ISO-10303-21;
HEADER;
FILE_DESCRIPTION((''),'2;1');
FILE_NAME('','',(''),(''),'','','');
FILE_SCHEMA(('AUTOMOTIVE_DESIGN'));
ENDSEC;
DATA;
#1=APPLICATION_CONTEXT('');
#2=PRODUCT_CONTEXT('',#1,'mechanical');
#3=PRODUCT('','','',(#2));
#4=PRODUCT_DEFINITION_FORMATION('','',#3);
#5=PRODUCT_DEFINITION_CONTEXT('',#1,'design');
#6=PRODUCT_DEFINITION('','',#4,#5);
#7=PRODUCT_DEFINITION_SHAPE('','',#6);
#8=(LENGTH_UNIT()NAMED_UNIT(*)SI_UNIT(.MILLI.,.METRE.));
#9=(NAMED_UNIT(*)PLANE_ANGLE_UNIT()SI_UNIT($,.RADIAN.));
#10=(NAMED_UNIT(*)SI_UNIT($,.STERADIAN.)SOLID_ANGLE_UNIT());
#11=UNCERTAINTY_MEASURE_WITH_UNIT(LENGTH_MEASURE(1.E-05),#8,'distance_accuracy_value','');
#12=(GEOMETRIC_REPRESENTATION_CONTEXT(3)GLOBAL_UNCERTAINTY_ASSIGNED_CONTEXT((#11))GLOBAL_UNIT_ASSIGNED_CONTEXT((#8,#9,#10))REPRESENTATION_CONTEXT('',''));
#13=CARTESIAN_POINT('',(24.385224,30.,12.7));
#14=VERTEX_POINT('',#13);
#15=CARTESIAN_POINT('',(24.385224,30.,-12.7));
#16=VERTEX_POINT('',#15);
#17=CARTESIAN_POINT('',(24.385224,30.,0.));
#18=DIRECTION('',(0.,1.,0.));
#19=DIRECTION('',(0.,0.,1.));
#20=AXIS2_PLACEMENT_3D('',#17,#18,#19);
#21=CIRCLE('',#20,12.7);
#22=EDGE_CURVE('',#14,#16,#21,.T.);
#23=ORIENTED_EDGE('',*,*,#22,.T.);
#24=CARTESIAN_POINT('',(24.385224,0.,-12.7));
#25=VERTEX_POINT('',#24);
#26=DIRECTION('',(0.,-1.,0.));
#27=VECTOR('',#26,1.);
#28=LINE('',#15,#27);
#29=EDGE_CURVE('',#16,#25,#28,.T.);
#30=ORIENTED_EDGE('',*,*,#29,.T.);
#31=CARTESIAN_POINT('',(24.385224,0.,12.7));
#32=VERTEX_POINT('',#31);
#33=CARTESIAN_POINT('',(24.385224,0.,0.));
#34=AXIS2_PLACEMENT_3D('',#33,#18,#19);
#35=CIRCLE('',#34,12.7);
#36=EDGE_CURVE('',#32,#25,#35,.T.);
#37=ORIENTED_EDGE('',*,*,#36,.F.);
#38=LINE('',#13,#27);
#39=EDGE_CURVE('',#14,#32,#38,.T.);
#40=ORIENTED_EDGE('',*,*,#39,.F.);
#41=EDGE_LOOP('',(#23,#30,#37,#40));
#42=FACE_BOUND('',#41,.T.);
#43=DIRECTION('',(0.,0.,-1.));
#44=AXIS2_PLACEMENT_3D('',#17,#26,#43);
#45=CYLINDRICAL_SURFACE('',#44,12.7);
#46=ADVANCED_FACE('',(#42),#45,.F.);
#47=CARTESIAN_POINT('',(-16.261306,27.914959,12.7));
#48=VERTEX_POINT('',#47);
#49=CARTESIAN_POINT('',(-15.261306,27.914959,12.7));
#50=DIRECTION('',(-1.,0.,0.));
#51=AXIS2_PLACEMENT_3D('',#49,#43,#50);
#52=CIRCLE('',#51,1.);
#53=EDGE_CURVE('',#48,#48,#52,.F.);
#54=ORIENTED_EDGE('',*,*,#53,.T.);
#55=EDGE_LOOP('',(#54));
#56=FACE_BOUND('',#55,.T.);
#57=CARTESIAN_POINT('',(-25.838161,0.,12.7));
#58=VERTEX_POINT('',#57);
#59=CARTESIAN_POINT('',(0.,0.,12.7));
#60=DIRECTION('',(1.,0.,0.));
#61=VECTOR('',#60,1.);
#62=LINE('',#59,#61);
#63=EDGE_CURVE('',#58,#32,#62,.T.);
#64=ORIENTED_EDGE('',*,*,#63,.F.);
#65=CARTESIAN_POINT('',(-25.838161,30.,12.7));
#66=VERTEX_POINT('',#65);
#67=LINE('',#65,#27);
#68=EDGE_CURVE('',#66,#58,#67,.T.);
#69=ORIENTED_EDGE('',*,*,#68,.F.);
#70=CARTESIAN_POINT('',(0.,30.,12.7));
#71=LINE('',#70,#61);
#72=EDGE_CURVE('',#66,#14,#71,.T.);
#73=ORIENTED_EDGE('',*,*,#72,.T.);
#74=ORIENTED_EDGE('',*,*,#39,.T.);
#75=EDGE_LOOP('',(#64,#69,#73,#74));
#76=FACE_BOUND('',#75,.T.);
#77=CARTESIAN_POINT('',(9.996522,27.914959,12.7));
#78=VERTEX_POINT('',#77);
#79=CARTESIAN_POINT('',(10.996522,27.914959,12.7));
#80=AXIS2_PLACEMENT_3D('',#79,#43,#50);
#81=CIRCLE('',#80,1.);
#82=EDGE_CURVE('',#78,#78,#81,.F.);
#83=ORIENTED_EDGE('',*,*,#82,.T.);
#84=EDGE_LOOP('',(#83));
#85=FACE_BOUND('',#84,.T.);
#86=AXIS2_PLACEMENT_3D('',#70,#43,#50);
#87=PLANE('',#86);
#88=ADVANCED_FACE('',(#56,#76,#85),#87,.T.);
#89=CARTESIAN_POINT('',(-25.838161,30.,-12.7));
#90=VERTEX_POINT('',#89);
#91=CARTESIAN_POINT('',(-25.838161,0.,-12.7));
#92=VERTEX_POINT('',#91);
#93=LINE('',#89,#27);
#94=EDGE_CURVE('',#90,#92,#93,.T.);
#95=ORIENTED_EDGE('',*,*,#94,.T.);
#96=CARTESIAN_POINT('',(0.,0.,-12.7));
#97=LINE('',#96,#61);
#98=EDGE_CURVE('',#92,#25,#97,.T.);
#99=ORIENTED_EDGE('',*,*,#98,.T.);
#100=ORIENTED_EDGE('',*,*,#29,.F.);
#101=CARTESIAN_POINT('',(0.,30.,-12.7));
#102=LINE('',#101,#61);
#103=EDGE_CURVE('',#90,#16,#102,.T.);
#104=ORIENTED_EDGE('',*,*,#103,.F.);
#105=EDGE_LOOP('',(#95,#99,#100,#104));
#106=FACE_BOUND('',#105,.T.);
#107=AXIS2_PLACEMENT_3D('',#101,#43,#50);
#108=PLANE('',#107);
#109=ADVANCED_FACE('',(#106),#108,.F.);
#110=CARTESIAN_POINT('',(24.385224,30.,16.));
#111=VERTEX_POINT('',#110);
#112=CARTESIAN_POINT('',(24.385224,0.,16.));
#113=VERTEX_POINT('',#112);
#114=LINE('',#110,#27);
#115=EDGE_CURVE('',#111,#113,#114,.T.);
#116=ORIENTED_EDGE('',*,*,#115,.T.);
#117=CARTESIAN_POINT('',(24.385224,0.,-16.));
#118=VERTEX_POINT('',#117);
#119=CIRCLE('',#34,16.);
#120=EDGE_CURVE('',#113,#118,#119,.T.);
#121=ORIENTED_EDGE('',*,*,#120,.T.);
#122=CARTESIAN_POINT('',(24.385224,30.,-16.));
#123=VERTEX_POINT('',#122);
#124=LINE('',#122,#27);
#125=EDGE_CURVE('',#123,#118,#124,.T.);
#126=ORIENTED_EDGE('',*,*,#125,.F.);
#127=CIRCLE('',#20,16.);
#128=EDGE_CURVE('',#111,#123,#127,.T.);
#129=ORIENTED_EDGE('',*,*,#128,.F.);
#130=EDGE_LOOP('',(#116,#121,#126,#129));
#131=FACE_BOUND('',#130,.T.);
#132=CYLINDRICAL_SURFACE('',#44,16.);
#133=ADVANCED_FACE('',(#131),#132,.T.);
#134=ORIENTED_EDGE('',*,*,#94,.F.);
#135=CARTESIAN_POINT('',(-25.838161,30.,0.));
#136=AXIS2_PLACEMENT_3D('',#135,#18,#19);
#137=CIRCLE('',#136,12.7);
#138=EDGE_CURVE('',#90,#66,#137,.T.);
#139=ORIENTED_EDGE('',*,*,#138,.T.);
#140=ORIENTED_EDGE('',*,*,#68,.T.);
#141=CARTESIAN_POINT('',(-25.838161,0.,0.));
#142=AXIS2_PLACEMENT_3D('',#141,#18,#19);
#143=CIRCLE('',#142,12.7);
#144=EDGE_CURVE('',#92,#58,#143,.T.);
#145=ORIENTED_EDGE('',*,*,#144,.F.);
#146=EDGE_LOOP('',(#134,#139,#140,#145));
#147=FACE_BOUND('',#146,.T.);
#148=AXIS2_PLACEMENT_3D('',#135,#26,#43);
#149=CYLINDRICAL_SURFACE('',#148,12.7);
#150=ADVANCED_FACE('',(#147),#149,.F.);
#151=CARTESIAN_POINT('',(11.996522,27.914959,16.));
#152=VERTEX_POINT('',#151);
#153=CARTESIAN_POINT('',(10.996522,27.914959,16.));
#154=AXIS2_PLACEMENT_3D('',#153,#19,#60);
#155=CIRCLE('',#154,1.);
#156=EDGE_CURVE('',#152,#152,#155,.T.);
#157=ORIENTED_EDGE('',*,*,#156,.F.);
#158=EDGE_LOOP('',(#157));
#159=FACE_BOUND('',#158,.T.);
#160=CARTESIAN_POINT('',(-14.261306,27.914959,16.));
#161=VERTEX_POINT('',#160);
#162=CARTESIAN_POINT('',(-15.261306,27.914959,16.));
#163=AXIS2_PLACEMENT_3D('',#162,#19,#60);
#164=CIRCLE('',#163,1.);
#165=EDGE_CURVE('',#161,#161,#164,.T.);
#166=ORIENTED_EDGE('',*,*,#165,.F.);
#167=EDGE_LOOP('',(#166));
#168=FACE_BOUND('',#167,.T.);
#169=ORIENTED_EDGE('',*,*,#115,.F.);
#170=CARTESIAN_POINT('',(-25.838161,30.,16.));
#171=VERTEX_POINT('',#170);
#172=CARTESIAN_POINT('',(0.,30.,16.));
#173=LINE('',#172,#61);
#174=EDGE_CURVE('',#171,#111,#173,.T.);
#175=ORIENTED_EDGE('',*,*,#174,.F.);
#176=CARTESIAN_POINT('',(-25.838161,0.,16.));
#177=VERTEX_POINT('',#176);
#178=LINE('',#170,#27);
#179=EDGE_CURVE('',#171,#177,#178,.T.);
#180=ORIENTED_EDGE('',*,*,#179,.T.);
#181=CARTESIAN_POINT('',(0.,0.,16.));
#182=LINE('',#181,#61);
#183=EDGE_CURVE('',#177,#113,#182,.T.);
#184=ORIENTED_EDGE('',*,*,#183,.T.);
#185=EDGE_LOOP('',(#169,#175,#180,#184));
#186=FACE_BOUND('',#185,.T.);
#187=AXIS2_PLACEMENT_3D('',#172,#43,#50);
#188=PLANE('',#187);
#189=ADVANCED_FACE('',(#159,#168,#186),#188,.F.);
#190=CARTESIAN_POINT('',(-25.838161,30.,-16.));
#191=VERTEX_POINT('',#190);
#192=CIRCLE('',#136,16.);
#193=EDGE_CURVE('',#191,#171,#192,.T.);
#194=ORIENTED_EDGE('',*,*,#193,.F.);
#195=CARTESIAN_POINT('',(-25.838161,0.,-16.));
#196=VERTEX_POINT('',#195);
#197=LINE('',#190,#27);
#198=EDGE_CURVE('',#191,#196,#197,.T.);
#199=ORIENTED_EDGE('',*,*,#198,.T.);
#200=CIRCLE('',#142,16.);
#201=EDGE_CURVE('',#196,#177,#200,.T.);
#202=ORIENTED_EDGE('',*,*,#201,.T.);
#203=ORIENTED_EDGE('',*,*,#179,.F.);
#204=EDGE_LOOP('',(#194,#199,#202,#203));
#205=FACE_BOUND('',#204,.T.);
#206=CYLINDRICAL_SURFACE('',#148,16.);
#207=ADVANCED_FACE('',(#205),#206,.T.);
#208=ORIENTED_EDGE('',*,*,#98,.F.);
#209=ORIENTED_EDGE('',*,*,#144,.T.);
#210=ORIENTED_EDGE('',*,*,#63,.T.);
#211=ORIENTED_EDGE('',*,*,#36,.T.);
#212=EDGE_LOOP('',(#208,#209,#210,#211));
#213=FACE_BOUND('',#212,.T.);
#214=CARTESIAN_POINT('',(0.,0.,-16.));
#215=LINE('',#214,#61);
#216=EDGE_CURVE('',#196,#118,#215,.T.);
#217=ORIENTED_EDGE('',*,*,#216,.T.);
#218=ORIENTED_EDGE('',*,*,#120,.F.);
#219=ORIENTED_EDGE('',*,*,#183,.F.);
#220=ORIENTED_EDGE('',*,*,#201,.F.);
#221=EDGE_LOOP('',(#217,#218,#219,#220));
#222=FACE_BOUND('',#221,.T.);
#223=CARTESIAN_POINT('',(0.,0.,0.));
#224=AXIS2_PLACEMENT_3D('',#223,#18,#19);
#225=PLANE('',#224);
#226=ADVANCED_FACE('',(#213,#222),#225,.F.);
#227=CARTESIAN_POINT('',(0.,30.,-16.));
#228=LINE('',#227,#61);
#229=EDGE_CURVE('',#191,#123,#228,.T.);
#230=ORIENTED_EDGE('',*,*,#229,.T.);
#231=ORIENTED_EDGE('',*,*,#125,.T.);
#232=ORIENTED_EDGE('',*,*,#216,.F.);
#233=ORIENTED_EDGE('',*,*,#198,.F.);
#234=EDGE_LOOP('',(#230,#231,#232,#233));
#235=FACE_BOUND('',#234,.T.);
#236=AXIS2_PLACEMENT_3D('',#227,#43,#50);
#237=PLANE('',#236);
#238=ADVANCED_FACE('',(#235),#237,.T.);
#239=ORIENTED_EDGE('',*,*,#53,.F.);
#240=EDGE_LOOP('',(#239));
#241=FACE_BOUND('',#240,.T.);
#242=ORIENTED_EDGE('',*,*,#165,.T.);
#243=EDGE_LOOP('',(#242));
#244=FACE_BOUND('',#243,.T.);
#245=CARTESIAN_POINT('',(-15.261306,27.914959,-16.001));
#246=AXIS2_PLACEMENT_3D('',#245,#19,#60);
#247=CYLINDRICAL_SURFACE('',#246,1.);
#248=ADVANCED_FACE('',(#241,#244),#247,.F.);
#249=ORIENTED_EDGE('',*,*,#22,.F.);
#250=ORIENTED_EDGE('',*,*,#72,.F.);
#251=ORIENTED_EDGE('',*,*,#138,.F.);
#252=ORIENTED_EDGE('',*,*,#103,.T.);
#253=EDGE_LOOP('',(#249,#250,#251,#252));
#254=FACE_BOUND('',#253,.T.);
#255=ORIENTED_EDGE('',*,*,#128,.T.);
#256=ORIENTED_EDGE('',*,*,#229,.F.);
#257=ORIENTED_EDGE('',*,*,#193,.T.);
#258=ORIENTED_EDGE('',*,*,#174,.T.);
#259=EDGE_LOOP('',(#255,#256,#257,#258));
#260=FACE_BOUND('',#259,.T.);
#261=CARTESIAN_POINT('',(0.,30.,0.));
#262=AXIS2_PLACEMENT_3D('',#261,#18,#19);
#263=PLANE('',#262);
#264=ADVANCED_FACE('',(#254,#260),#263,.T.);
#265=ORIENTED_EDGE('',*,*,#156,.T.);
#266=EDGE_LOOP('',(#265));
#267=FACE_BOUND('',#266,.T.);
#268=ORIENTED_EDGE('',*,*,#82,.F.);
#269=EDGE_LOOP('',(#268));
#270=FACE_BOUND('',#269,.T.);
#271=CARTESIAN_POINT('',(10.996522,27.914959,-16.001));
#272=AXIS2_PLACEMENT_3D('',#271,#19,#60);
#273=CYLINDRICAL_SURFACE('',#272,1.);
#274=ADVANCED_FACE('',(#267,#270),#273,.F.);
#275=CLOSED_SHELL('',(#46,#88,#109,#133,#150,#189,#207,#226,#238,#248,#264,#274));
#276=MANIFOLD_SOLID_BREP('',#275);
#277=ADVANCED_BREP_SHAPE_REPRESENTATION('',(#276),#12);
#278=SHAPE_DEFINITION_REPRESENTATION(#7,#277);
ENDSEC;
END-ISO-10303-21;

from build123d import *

# Parameters (mm, degrees)
BOSS_EXTRUDE1_DEPTH = 30
CUT_EXTRUDE1_REACH  = 62.617
SKETCH2_R           = 1


with BuildPart() as part:
    # Sketch1 → Boss-Extrude1 (new body)
    with BuildSketch(Plane(origin=(0, 0, 0), x_dir=(1, 0, 0), z_dir=(0, 1, 0))):
        with BuildLine():
            ThreePointArc((24.385224347, -16), (40.385224347, 0), (24.385224347, 16))
            Line((24.385224347, 16), (-25.838160871, 16))
            ThreePointArc((-25.838160871, 16), (-41.838160871, 0), (-25.838160871, -16))
            Line((-25.838160871, -16), (24.385224347, -16))
        make_face()
        with BuildLine():
            ThreePointArc((-25.838160871, -12.7), (-38.538160871, 0), (-25.838160871, 12.7))
            Line((-25.838160871, 12.7), (24.385224347, 12.7))
            ThreePointArc((24.385224347, 12.7), (37.085224347, 0), (24.385224347, -12.7))
            Line((24.385224347, -12.7), (-25.838160871, -12.7))
        make_face(mode=Mode.SUBTRACT)
    extrude(amount=BOSS_EXTRUDE1_DEPTH)

    # Sketch2 → Cut-Extrude1 (cut, up to next)
    with BuildSketch(Plane.XY.offset(16), mode=Mode.PRIVATE) as cut_extrude1_sk1:
        with Locations((-15.261305548, 27.914958552)):
            Circle(SKETCH2_R)
    cut_extrude1_tool1 = extrude(cut_extrude1_sk1.sketch, amount=-CUT_EXTRUDE1_REACH, mode=Mode.PRIVATE) & part.part
    # Sketch2 → Cut-Extrude1 (cut, up to next)
    with BuildSketch(Plane.XY.offset(16), mode=Mode.PRIVATE) as cut_extrude1_sk2:
        with Locations((10.996521588, 27.914958552)):
            Circle(SKETCH2_R)
    cut_extrude1_tool2 = extrude(cut_extrude1_sk2.sketch, amount=-CUT_EXTRUDE1_REACH, mode=Mode.PRIVATE) & part.part
    add(cut_extrude1_tool1.solids().sort_by_distance((-15.261306, 27.914959, 16))[0], mode=Mode.SUBTRACT)
    add(cut_extrude1_tool2.solids().sort_by_distance((10.996522, 27.914959, 16))[0], mode=Mode.SUBTRACT)


solid = part.part
